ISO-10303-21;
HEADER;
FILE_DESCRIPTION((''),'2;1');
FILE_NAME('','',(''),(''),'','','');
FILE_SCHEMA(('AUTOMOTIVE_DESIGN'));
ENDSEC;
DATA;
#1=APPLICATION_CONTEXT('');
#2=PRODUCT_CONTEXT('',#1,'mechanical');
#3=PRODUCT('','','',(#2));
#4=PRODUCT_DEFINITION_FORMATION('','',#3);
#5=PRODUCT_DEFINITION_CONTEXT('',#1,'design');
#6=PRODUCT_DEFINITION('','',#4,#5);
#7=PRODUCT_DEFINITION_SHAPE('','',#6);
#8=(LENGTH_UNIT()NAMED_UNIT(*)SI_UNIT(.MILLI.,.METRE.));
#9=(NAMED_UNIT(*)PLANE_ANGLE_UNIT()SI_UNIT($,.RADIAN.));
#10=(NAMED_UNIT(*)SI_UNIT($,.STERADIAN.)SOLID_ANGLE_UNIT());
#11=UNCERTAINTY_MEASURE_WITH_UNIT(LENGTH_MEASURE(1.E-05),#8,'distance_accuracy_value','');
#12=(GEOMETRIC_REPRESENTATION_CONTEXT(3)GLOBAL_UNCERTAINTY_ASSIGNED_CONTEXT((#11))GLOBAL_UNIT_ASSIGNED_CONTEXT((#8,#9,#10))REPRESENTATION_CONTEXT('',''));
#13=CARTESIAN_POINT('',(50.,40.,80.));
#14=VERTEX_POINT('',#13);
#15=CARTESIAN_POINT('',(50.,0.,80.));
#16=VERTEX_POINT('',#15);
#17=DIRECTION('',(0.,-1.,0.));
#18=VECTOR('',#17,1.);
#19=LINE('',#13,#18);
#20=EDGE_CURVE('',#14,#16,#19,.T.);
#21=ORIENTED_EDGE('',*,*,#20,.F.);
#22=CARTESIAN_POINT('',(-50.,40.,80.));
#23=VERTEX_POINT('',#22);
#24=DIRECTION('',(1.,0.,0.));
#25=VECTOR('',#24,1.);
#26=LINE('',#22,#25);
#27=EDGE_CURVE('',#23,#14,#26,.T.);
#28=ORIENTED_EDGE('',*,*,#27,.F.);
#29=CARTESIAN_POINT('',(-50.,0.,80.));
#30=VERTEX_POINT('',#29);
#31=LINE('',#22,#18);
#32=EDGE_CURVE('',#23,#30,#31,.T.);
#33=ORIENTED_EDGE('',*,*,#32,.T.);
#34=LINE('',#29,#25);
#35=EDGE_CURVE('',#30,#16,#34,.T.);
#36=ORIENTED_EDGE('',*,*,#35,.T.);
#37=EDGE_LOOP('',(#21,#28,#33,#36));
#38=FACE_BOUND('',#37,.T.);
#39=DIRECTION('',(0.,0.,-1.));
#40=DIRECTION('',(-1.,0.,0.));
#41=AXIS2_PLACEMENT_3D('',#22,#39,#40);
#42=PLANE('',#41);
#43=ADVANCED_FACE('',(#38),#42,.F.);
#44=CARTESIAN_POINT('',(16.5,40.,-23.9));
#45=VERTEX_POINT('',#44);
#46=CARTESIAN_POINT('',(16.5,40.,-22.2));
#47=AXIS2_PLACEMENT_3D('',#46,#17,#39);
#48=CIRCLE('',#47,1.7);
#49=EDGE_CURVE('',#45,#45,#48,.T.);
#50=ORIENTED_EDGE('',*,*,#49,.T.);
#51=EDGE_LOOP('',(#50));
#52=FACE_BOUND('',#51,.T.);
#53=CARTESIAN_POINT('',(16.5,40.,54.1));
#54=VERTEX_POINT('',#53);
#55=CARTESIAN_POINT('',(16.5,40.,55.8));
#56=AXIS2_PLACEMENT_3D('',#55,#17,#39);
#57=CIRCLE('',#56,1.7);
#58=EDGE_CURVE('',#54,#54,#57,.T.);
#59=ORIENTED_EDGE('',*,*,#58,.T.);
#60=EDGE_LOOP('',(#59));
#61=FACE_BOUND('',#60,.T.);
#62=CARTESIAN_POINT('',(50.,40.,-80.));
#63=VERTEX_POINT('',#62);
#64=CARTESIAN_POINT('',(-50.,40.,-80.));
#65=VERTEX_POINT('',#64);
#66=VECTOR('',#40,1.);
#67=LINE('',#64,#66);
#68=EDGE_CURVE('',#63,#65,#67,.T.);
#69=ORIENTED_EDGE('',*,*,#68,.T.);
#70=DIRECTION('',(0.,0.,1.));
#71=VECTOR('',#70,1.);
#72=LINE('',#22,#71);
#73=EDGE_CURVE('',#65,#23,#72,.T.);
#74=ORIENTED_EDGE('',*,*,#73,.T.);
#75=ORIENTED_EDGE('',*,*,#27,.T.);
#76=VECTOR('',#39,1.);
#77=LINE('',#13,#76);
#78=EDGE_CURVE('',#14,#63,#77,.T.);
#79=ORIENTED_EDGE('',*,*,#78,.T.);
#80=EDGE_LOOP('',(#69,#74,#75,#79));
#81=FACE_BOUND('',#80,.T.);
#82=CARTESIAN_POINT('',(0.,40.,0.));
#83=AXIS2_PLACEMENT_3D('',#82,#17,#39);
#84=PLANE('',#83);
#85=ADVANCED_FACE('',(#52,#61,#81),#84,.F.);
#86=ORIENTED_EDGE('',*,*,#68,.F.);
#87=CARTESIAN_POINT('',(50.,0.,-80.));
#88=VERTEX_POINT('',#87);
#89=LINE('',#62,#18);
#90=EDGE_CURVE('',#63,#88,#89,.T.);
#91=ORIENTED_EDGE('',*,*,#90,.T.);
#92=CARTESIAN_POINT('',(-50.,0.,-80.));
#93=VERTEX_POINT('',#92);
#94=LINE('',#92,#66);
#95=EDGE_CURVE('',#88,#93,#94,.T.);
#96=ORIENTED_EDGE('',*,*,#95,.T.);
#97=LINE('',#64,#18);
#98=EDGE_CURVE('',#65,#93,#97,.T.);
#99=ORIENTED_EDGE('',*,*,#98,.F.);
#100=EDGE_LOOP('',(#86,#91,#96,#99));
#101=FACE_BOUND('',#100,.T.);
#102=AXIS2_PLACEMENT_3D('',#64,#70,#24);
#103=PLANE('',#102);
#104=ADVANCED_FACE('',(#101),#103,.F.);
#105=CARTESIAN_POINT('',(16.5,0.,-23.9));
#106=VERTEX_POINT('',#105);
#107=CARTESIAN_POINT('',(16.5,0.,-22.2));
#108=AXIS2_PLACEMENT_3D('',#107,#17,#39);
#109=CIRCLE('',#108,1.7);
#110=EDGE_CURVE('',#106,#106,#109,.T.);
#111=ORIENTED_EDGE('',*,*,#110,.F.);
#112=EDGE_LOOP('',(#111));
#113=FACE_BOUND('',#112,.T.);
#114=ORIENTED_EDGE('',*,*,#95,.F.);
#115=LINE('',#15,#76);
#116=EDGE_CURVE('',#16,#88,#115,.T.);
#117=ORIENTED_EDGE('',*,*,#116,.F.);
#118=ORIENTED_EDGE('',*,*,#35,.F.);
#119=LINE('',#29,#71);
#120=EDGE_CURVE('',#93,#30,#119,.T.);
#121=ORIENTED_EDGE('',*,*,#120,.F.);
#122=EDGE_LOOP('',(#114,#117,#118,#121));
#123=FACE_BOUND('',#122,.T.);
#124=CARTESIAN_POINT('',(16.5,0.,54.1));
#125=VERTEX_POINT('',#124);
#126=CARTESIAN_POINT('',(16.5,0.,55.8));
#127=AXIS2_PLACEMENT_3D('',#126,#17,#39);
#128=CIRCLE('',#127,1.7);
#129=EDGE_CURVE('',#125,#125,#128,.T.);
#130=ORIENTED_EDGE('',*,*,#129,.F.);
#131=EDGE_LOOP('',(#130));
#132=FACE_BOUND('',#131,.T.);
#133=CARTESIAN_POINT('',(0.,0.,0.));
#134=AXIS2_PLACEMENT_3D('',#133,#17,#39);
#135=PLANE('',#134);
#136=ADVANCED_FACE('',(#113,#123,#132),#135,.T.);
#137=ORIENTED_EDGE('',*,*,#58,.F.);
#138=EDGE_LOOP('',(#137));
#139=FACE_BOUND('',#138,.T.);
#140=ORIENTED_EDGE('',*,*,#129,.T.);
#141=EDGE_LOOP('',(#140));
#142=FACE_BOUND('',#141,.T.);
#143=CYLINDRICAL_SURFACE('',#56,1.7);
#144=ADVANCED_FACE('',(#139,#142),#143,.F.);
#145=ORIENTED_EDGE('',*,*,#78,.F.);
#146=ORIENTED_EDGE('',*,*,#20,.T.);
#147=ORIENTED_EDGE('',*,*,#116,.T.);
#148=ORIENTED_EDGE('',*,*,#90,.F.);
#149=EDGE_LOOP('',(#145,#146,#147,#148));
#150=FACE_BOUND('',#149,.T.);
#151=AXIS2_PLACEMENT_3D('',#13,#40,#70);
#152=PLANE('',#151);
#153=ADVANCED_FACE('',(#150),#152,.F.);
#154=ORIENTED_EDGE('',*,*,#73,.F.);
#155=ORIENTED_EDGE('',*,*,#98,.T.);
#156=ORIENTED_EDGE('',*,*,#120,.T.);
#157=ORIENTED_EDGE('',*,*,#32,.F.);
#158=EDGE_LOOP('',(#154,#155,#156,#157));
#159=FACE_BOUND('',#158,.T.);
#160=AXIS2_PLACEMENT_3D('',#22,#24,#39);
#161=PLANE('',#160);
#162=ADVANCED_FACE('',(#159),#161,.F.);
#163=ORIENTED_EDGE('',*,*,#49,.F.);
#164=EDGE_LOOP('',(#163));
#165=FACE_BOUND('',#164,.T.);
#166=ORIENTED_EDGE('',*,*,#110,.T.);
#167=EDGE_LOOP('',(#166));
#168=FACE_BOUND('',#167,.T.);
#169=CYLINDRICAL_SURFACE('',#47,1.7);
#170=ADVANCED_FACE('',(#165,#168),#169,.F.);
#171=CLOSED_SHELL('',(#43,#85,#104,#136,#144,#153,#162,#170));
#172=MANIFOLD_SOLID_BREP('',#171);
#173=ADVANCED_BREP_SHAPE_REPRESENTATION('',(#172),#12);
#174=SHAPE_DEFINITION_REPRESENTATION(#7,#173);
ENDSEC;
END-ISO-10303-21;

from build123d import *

# Parameters (mm, degrees)
SKETCH_1_W          = 100
SKETCH_1_H          = 160
EXTRUDE_1_DEPTH     = 40
SKETCH_2_R          = 1.7
CUT_EXTRUDE_1_DEPTH = 103.46950766


with BuildPart() as part:
    # 草图1 → 凸台-拉伸1 (new body)
    with BuildSketch(Plane(origin=(0, 0, 0), x_dir=(1, 0, 0), z_dir=(0, 1, 0))):
        Rectangle(SKETCH_1_W, SKETCH_1_H)
    extrude(amount=EXTRUDE_1_DEPTH)

    # 草图2 → 切除-拉伸1 (cut, through all)
    with BuildSketch(Plane.XZ):
        with Locations(Location((16.5, 55.8, 0), (0, 0, 270))):
            Circle(SKETCH_2_R)
        with Locations(Location((16.5, -22.2, 0), (0, 0, 270))):
            Circle(SKETCH_2_R)
    extrude(amount=-CUT_EXTRUDE_1_DEPTH, mode=Mode.SUBTRACT)


solid = part.part
